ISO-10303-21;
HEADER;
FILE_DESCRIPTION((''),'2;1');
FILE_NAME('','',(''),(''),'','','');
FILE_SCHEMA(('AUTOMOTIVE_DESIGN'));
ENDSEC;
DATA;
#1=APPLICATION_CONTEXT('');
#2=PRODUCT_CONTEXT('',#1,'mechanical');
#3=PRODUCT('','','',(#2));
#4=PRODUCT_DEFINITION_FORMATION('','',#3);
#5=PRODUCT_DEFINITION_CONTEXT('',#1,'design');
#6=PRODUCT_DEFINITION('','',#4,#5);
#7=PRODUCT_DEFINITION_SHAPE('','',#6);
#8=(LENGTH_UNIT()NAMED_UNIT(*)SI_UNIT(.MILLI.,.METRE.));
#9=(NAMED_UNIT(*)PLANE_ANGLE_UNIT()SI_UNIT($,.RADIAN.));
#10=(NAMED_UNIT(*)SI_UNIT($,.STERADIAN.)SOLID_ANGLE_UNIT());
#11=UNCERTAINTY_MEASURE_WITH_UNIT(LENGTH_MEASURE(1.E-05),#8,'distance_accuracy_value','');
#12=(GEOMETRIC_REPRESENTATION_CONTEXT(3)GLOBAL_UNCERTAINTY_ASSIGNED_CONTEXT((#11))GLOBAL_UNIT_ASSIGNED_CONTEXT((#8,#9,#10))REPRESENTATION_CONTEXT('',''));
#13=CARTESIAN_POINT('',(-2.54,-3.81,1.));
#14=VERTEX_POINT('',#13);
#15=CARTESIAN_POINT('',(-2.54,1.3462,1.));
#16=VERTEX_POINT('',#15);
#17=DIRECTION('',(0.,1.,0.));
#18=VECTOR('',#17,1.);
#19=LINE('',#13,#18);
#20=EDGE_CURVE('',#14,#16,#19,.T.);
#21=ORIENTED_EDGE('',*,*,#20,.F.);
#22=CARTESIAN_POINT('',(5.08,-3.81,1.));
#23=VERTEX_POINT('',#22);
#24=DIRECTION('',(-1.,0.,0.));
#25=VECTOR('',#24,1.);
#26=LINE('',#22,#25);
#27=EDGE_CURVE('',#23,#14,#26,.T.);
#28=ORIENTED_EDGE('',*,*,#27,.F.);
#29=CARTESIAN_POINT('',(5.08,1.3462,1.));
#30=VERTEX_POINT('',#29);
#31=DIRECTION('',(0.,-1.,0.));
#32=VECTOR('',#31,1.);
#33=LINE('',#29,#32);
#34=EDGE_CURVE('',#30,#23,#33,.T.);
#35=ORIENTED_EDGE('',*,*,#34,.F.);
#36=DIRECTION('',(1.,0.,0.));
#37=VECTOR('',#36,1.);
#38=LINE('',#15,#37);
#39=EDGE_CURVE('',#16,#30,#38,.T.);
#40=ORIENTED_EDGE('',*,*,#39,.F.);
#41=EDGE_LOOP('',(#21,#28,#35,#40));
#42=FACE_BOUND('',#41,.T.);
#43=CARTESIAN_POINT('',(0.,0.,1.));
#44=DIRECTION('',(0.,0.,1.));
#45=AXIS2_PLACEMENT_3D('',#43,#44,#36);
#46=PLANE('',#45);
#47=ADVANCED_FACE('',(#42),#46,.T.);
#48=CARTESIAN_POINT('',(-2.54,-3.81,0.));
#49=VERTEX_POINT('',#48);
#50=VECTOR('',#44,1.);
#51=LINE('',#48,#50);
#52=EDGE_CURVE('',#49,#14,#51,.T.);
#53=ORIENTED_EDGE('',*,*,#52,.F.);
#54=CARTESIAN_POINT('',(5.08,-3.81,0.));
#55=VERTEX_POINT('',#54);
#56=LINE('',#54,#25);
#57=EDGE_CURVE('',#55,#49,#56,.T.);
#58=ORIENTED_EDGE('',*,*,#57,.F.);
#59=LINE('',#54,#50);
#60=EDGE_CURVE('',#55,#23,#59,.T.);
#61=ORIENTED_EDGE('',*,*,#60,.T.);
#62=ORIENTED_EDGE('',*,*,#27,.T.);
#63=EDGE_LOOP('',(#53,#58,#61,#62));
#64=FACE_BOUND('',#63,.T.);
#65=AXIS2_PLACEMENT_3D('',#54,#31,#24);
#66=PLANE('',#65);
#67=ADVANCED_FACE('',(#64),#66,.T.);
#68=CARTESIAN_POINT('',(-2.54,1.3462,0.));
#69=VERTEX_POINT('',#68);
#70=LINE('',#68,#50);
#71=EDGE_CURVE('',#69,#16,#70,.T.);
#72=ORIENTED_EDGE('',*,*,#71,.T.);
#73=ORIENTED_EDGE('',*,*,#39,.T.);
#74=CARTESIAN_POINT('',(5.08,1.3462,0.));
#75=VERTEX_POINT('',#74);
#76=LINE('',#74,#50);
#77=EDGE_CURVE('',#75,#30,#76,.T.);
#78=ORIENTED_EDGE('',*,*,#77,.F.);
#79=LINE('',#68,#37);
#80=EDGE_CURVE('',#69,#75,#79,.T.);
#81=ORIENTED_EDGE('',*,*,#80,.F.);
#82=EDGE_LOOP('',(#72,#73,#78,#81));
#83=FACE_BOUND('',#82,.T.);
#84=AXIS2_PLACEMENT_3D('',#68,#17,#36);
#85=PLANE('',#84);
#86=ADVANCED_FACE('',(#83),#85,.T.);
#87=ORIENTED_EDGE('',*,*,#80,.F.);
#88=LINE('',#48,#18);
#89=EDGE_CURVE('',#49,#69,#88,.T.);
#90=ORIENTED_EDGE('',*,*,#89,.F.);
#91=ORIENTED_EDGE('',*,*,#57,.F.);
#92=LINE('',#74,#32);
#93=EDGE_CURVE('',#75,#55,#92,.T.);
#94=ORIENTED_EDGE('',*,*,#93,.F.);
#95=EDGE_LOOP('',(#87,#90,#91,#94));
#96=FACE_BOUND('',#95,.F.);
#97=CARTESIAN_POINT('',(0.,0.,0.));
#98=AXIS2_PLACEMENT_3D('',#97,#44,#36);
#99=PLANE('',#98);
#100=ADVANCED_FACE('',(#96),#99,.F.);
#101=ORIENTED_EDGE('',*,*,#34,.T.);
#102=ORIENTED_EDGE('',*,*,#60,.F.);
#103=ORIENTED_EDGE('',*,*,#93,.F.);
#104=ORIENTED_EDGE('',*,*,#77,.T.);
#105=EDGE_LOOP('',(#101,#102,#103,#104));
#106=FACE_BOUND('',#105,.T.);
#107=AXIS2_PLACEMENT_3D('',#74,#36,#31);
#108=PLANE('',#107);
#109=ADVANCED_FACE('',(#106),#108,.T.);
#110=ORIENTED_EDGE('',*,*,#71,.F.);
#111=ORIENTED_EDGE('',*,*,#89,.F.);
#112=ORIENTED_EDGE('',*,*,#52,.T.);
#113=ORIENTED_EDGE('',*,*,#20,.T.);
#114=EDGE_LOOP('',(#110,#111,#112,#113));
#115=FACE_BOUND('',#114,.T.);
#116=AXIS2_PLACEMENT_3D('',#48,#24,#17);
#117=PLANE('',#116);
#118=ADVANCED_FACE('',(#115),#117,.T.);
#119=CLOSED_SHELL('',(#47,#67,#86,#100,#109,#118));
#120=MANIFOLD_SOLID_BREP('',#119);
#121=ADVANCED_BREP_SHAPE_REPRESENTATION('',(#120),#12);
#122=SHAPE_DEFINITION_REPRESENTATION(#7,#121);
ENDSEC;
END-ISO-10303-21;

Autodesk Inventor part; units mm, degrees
ref_plane "YZ Plane" through (0, 0, 0) normal (1, 0, 0) x (0, 1, 0)
ref_plane "XZ Plane" through (0, 0, 0) normal (0, 1, 0) x (-1, 0, 0)
ref_plane "XY Plane" through (0, 0, 0) normal (0, 0, 1) x (1, 0, 0)
sketch "2X03SMD, JP3_2X03SMD_31" plane through (0, 0, 0) normal (0, 0, 1) x (1, 0, 0)
  line L0 (-2.54, 1.3462) -> (5.08, 1.3462)
  line L1 (5.08, 1.3462) -> (5.08, -3.81)
  line L2 (5.08, -3.81) -> (-2.54, -3.81)
  line L3 (-2.54, -3.81) -> (-2.54, 1.3462)
extrude "Extrusion1" add sketch "2X03SMD, JP3_2X03SMD_31" along normal blind 1
properties part number "JP3_2X03SMD"
